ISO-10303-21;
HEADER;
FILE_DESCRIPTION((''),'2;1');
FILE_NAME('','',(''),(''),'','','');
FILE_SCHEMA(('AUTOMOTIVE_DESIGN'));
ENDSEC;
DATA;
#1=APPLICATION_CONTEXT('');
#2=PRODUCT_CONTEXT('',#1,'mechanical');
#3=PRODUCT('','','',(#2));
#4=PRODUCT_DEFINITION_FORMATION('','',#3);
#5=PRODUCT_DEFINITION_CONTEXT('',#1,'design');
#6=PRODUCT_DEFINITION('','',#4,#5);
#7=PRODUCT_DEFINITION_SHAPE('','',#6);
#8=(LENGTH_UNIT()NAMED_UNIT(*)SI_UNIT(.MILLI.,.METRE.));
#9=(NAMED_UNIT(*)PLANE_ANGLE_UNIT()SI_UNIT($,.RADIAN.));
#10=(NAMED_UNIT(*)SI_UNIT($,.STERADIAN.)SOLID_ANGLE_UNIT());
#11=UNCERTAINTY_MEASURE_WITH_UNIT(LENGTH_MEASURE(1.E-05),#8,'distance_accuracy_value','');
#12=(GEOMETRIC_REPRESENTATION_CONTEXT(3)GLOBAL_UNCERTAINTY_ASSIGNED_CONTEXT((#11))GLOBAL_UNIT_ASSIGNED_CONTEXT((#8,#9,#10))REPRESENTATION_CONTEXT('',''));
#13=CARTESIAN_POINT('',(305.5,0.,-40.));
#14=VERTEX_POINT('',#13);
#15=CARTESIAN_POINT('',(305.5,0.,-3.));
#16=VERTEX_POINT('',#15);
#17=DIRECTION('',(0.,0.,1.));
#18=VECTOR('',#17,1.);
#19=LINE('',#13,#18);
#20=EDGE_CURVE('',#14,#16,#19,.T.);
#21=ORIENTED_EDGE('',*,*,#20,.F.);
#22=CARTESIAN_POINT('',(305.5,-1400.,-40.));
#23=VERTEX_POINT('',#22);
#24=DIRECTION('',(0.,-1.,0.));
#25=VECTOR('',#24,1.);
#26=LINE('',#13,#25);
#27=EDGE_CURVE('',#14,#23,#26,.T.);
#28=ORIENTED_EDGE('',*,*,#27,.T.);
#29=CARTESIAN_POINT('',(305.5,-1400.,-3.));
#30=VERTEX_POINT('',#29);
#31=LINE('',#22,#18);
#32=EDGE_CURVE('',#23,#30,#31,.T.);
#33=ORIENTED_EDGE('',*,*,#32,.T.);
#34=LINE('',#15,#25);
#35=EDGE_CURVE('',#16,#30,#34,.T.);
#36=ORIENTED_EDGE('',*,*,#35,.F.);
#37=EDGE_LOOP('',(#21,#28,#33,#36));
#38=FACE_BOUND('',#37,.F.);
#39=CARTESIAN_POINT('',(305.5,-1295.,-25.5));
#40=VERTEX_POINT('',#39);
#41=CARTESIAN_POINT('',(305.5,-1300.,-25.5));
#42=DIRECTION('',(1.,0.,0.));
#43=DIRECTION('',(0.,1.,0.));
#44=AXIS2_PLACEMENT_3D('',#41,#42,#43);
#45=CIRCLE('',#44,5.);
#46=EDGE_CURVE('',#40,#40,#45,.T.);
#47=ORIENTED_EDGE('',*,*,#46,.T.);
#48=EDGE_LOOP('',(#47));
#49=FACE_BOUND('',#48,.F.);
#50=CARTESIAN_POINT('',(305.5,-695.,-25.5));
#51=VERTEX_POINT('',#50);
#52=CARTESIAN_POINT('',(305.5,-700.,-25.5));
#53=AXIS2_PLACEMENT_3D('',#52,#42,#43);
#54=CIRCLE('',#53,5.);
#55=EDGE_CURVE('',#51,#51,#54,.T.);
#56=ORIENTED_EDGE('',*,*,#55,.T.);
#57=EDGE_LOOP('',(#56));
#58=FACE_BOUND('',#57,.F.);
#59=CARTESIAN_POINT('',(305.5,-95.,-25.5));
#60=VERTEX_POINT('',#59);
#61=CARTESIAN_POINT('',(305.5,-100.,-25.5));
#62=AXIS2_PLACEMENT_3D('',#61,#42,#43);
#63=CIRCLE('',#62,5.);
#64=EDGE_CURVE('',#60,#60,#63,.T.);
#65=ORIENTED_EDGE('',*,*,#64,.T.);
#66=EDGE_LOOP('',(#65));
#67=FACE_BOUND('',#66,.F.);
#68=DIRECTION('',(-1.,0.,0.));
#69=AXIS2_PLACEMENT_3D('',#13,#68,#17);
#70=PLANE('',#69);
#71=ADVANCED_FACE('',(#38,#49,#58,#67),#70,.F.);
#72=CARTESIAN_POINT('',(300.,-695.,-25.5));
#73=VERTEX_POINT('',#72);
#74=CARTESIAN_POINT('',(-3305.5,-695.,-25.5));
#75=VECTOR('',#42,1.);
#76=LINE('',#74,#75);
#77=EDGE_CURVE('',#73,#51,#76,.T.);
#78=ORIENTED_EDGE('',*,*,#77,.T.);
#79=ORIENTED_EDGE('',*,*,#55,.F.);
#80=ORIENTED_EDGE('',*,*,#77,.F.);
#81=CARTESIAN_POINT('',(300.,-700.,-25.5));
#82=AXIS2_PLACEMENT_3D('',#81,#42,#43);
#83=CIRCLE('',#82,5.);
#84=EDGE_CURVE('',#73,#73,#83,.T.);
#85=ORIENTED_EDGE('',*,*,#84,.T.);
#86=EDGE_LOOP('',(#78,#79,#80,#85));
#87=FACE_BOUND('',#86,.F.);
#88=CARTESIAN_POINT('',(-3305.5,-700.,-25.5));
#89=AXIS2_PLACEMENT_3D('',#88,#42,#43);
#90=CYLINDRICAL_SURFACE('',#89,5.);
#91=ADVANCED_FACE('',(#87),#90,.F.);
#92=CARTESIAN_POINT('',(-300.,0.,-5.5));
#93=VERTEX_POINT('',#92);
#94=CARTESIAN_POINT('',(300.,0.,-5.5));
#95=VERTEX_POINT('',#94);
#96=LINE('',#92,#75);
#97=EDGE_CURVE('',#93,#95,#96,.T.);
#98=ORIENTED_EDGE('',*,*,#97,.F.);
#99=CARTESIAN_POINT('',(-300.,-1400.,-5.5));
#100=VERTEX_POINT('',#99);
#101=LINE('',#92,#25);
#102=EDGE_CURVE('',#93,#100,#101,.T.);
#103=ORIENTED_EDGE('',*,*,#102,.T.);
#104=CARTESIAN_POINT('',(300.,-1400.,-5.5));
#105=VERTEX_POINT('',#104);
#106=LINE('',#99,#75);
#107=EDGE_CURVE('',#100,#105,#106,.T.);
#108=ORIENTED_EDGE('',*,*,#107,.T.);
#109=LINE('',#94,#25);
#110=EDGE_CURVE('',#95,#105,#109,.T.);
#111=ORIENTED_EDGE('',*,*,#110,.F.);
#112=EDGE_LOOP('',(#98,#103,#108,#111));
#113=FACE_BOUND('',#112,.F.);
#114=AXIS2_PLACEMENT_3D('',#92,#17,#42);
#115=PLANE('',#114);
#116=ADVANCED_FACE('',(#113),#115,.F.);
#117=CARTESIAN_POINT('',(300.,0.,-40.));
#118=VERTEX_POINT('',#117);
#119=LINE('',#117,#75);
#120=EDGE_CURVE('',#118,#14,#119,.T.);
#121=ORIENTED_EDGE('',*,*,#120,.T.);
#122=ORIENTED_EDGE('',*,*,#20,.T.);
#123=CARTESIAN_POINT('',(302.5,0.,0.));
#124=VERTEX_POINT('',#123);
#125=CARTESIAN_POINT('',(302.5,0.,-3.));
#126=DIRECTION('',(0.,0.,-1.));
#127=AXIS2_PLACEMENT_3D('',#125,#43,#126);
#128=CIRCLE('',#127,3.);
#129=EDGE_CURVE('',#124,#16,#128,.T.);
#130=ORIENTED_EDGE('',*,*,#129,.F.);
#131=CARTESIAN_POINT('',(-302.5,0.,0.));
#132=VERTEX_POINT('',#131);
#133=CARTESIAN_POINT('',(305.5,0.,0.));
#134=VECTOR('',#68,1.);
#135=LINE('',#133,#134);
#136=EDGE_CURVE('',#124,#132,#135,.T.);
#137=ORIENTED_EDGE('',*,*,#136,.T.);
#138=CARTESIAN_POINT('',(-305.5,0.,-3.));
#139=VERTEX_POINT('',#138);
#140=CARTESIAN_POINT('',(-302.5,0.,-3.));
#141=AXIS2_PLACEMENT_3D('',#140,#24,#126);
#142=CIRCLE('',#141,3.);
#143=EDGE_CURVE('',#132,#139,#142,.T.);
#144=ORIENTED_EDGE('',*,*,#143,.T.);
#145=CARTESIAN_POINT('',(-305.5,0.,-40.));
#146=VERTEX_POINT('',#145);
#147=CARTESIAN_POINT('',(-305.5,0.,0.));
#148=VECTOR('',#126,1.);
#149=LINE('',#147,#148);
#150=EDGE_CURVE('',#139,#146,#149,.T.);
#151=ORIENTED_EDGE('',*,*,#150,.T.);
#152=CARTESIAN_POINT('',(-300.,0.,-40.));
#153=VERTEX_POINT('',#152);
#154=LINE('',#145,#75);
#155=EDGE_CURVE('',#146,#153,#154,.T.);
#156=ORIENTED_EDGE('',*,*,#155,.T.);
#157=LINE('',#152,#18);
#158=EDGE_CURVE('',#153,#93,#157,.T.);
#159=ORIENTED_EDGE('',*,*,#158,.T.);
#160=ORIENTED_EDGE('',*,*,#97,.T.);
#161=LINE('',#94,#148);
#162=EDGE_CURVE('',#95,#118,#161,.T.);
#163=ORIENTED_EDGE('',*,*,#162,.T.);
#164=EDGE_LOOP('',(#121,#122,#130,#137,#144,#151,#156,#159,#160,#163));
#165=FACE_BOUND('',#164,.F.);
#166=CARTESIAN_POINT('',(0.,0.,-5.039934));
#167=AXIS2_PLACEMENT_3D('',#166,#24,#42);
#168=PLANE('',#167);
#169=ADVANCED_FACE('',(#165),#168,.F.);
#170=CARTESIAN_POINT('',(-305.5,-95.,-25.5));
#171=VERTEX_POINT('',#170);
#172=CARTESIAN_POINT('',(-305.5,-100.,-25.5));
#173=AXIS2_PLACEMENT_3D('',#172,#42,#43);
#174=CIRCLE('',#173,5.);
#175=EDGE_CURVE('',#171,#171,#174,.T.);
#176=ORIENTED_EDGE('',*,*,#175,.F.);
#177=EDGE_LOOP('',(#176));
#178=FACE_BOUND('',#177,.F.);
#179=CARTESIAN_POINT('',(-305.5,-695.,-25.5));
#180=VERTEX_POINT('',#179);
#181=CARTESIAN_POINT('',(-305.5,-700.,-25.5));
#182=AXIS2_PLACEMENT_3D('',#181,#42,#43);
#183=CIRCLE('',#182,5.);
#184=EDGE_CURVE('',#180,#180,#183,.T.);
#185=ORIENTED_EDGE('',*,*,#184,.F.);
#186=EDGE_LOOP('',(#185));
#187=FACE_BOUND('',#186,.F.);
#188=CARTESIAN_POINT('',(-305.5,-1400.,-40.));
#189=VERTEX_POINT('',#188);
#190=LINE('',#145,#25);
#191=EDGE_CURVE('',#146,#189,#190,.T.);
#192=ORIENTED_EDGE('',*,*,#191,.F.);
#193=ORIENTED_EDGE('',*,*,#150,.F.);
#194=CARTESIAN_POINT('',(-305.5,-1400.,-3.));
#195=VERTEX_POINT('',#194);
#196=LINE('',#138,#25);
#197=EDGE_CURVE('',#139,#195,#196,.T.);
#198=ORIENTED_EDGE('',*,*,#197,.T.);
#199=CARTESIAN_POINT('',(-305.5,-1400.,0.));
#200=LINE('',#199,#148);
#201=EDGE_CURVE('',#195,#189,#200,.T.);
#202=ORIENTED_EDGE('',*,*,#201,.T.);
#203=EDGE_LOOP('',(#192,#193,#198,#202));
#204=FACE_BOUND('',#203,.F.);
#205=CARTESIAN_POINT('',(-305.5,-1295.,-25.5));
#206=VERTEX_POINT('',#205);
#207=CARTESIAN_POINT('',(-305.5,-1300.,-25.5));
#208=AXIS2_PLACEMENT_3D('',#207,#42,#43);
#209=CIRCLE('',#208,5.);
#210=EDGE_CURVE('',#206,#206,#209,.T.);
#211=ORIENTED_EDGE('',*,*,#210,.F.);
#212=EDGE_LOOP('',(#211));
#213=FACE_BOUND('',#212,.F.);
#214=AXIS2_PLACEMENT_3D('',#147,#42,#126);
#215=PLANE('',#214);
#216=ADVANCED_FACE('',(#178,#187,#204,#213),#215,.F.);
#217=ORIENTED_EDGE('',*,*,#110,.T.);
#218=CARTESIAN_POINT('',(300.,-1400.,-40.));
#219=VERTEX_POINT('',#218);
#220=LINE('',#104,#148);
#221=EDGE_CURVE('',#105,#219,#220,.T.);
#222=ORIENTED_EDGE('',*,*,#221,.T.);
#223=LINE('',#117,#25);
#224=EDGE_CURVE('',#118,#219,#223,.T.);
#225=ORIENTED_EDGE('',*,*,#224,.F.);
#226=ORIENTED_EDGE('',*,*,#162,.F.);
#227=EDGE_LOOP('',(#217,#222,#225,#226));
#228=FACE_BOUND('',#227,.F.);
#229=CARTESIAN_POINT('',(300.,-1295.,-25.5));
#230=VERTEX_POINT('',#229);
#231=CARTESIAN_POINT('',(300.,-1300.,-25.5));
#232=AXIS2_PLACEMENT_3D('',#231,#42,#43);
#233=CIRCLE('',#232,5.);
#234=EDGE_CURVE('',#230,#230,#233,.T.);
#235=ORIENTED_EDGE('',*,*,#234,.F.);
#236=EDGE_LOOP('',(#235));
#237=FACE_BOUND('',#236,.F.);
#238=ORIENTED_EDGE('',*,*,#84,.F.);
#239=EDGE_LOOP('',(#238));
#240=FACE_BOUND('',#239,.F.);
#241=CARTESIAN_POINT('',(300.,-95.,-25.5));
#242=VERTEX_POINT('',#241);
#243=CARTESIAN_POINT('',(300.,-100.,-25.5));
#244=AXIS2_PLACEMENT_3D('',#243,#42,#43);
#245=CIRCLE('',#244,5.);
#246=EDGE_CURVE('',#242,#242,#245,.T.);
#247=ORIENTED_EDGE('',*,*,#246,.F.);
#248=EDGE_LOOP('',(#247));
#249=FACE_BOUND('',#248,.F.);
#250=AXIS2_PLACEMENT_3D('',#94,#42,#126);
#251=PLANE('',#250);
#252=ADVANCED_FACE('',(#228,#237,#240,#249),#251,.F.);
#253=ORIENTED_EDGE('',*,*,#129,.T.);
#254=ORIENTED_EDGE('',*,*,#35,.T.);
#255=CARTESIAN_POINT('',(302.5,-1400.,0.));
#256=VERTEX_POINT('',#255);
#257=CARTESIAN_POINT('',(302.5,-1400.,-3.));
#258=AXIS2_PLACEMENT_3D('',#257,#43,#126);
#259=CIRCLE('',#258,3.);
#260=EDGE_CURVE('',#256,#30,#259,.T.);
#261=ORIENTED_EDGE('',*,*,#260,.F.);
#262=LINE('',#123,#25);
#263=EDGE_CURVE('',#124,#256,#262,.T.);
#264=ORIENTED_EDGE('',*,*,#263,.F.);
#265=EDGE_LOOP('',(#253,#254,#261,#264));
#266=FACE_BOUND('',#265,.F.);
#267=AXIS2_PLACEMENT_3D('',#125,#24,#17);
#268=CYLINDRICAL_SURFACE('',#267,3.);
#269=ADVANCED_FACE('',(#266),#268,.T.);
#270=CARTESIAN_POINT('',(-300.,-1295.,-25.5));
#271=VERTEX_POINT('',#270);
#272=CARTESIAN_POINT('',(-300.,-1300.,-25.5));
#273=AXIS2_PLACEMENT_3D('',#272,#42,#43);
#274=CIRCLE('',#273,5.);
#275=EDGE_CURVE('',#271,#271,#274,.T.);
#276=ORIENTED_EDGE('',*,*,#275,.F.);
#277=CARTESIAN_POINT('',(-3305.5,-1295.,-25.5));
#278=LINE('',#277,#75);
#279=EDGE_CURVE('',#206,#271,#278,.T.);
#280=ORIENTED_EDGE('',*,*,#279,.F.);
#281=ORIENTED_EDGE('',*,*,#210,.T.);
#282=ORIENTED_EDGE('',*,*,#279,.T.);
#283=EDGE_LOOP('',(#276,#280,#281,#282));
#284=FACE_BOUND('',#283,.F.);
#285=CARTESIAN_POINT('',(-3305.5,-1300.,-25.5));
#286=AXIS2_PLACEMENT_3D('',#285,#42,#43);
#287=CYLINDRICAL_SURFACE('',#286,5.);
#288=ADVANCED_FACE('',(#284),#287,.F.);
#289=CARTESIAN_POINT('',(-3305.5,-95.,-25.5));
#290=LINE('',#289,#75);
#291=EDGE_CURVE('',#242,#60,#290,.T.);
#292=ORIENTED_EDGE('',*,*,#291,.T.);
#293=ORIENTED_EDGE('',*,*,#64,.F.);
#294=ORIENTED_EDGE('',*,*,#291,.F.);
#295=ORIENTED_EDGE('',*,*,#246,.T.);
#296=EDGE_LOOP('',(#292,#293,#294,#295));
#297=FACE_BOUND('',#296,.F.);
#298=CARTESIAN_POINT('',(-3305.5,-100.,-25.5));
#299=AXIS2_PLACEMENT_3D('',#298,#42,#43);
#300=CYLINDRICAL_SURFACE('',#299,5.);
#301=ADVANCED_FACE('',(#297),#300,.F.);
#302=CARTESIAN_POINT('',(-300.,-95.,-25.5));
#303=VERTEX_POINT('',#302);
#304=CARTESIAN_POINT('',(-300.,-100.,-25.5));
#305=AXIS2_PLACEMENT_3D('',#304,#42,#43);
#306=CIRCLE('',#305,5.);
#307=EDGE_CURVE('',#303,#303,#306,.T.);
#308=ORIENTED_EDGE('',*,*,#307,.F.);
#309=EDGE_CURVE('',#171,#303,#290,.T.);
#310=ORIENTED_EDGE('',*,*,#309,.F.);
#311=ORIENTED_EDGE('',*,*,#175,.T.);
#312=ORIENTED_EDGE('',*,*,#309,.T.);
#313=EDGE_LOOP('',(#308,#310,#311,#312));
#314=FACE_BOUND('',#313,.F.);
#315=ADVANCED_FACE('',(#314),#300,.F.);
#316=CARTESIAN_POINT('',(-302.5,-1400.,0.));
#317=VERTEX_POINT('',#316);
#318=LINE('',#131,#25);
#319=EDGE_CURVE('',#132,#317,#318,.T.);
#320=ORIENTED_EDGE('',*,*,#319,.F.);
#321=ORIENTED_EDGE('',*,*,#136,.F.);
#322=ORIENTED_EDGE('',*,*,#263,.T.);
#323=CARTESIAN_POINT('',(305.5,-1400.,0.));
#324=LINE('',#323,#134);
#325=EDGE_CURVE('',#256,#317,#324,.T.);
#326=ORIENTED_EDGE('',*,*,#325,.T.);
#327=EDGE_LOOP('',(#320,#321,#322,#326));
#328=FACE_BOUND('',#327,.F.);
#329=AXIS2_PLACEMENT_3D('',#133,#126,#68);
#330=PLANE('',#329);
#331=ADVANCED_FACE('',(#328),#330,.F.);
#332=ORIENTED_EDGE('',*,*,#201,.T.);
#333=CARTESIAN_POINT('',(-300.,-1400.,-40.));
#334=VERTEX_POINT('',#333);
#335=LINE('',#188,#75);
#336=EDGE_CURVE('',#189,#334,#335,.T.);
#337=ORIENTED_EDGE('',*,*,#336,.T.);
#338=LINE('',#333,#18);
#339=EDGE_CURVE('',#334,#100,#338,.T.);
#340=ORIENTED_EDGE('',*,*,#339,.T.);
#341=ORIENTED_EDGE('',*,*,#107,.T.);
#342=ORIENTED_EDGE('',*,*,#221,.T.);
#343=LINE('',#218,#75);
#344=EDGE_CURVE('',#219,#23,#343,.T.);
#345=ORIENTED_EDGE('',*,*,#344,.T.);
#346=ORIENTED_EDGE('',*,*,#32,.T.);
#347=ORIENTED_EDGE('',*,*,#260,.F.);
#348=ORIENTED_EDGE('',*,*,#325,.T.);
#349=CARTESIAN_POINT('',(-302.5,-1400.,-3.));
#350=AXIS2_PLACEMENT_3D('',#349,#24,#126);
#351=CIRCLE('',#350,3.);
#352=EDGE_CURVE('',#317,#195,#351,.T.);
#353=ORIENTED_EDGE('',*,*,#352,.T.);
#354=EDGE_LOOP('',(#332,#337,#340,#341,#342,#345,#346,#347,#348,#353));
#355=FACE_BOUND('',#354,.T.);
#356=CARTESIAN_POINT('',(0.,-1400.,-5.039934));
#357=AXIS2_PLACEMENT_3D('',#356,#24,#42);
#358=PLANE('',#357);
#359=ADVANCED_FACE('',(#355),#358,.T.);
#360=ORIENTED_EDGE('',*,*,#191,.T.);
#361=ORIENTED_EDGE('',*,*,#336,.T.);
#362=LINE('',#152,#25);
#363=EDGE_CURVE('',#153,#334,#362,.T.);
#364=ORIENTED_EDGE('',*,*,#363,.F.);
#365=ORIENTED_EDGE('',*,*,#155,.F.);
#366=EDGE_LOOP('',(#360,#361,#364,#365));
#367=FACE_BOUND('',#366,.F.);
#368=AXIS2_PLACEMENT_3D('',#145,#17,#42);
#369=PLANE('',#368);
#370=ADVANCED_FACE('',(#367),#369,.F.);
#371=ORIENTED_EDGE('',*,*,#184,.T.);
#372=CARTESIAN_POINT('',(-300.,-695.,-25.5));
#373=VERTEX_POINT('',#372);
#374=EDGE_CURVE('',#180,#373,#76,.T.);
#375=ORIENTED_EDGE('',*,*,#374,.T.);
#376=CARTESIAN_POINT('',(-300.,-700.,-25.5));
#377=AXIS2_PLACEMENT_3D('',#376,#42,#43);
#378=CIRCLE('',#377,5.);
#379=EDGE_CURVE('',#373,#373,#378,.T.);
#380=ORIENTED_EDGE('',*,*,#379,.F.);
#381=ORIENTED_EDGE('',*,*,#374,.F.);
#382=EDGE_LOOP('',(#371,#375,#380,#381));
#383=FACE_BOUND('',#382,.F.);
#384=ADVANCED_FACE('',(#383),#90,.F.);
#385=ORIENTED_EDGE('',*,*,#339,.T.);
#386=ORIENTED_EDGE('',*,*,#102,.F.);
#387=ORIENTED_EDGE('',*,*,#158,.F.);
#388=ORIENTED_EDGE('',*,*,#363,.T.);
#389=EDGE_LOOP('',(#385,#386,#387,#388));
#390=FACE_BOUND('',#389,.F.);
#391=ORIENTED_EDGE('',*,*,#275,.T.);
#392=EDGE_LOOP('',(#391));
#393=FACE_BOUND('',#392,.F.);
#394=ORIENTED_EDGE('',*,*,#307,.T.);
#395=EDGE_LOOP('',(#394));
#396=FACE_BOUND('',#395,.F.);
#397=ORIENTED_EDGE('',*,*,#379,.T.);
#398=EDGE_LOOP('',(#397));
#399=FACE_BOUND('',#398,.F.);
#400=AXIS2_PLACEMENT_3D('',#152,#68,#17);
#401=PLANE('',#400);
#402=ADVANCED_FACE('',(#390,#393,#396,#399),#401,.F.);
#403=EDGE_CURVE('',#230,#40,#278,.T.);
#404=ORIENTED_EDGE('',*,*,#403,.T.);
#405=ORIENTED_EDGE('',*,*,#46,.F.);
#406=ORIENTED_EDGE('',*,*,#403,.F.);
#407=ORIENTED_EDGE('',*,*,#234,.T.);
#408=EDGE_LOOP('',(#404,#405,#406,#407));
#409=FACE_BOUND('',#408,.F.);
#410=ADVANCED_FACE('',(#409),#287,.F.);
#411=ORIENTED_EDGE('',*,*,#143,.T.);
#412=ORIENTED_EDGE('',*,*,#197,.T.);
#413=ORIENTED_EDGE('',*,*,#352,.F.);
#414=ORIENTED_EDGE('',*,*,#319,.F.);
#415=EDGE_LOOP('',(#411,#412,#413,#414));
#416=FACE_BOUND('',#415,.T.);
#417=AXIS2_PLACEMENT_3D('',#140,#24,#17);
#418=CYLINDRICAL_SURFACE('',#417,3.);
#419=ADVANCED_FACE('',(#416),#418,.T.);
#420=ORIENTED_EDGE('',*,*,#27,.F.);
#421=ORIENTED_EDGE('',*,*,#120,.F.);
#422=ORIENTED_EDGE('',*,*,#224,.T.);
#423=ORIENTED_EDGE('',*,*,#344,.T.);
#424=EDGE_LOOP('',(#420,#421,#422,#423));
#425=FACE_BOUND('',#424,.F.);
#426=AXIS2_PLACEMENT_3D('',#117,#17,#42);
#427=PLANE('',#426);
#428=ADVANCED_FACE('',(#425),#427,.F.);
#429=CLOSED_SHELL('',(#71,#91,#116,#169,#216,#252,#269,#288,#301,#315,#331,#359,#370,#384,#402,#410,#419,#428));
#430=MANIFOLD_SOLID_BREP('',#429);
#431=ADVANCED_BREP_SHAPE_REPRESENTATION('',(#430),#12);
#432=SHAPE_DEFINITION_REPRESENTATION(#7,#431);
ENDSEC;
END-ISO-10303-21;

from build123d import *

# Parameters (mm, degrees)
F1_DEPTH = 1400
F3_R     = 3
F4_D     = 10
F4_DEPTH = 3000


with BuildPart() as f1:
    # F0 (on Front) → F1 (new body)
    with BuildSketch(Plane.XZ):
        Polygon((305.5, 0), (0, 0), (-305.5, 0), (-305.5, -40), (-300, -40), (-300, -5.5), (0, -5.5), (300, -5.5), (300, -14.070651), (300, -40), (305.5, -40), align=None)
    extrude(amount=F1_DEPTH)

    # F3
    f3_edges = [f1.edges().sort_by_distance(p)[0] for p in [
        (-305.5, -700, 0),
        (305.5, -700, 0),
    ]]
    fillet(f3_edges, radius=F3_R)

    # F4
    with Locations(Plane(origin=(-305.5, 0, 0), x_dir=(0, -1, 0), z_dir=(-1, 0, 0))):
        with Locations((100, -25.5), (700, -25.5), (1300, -25.5)):
            Hole(F4_D / 2, depth=F4_DEPTH)


solid = f1.part
